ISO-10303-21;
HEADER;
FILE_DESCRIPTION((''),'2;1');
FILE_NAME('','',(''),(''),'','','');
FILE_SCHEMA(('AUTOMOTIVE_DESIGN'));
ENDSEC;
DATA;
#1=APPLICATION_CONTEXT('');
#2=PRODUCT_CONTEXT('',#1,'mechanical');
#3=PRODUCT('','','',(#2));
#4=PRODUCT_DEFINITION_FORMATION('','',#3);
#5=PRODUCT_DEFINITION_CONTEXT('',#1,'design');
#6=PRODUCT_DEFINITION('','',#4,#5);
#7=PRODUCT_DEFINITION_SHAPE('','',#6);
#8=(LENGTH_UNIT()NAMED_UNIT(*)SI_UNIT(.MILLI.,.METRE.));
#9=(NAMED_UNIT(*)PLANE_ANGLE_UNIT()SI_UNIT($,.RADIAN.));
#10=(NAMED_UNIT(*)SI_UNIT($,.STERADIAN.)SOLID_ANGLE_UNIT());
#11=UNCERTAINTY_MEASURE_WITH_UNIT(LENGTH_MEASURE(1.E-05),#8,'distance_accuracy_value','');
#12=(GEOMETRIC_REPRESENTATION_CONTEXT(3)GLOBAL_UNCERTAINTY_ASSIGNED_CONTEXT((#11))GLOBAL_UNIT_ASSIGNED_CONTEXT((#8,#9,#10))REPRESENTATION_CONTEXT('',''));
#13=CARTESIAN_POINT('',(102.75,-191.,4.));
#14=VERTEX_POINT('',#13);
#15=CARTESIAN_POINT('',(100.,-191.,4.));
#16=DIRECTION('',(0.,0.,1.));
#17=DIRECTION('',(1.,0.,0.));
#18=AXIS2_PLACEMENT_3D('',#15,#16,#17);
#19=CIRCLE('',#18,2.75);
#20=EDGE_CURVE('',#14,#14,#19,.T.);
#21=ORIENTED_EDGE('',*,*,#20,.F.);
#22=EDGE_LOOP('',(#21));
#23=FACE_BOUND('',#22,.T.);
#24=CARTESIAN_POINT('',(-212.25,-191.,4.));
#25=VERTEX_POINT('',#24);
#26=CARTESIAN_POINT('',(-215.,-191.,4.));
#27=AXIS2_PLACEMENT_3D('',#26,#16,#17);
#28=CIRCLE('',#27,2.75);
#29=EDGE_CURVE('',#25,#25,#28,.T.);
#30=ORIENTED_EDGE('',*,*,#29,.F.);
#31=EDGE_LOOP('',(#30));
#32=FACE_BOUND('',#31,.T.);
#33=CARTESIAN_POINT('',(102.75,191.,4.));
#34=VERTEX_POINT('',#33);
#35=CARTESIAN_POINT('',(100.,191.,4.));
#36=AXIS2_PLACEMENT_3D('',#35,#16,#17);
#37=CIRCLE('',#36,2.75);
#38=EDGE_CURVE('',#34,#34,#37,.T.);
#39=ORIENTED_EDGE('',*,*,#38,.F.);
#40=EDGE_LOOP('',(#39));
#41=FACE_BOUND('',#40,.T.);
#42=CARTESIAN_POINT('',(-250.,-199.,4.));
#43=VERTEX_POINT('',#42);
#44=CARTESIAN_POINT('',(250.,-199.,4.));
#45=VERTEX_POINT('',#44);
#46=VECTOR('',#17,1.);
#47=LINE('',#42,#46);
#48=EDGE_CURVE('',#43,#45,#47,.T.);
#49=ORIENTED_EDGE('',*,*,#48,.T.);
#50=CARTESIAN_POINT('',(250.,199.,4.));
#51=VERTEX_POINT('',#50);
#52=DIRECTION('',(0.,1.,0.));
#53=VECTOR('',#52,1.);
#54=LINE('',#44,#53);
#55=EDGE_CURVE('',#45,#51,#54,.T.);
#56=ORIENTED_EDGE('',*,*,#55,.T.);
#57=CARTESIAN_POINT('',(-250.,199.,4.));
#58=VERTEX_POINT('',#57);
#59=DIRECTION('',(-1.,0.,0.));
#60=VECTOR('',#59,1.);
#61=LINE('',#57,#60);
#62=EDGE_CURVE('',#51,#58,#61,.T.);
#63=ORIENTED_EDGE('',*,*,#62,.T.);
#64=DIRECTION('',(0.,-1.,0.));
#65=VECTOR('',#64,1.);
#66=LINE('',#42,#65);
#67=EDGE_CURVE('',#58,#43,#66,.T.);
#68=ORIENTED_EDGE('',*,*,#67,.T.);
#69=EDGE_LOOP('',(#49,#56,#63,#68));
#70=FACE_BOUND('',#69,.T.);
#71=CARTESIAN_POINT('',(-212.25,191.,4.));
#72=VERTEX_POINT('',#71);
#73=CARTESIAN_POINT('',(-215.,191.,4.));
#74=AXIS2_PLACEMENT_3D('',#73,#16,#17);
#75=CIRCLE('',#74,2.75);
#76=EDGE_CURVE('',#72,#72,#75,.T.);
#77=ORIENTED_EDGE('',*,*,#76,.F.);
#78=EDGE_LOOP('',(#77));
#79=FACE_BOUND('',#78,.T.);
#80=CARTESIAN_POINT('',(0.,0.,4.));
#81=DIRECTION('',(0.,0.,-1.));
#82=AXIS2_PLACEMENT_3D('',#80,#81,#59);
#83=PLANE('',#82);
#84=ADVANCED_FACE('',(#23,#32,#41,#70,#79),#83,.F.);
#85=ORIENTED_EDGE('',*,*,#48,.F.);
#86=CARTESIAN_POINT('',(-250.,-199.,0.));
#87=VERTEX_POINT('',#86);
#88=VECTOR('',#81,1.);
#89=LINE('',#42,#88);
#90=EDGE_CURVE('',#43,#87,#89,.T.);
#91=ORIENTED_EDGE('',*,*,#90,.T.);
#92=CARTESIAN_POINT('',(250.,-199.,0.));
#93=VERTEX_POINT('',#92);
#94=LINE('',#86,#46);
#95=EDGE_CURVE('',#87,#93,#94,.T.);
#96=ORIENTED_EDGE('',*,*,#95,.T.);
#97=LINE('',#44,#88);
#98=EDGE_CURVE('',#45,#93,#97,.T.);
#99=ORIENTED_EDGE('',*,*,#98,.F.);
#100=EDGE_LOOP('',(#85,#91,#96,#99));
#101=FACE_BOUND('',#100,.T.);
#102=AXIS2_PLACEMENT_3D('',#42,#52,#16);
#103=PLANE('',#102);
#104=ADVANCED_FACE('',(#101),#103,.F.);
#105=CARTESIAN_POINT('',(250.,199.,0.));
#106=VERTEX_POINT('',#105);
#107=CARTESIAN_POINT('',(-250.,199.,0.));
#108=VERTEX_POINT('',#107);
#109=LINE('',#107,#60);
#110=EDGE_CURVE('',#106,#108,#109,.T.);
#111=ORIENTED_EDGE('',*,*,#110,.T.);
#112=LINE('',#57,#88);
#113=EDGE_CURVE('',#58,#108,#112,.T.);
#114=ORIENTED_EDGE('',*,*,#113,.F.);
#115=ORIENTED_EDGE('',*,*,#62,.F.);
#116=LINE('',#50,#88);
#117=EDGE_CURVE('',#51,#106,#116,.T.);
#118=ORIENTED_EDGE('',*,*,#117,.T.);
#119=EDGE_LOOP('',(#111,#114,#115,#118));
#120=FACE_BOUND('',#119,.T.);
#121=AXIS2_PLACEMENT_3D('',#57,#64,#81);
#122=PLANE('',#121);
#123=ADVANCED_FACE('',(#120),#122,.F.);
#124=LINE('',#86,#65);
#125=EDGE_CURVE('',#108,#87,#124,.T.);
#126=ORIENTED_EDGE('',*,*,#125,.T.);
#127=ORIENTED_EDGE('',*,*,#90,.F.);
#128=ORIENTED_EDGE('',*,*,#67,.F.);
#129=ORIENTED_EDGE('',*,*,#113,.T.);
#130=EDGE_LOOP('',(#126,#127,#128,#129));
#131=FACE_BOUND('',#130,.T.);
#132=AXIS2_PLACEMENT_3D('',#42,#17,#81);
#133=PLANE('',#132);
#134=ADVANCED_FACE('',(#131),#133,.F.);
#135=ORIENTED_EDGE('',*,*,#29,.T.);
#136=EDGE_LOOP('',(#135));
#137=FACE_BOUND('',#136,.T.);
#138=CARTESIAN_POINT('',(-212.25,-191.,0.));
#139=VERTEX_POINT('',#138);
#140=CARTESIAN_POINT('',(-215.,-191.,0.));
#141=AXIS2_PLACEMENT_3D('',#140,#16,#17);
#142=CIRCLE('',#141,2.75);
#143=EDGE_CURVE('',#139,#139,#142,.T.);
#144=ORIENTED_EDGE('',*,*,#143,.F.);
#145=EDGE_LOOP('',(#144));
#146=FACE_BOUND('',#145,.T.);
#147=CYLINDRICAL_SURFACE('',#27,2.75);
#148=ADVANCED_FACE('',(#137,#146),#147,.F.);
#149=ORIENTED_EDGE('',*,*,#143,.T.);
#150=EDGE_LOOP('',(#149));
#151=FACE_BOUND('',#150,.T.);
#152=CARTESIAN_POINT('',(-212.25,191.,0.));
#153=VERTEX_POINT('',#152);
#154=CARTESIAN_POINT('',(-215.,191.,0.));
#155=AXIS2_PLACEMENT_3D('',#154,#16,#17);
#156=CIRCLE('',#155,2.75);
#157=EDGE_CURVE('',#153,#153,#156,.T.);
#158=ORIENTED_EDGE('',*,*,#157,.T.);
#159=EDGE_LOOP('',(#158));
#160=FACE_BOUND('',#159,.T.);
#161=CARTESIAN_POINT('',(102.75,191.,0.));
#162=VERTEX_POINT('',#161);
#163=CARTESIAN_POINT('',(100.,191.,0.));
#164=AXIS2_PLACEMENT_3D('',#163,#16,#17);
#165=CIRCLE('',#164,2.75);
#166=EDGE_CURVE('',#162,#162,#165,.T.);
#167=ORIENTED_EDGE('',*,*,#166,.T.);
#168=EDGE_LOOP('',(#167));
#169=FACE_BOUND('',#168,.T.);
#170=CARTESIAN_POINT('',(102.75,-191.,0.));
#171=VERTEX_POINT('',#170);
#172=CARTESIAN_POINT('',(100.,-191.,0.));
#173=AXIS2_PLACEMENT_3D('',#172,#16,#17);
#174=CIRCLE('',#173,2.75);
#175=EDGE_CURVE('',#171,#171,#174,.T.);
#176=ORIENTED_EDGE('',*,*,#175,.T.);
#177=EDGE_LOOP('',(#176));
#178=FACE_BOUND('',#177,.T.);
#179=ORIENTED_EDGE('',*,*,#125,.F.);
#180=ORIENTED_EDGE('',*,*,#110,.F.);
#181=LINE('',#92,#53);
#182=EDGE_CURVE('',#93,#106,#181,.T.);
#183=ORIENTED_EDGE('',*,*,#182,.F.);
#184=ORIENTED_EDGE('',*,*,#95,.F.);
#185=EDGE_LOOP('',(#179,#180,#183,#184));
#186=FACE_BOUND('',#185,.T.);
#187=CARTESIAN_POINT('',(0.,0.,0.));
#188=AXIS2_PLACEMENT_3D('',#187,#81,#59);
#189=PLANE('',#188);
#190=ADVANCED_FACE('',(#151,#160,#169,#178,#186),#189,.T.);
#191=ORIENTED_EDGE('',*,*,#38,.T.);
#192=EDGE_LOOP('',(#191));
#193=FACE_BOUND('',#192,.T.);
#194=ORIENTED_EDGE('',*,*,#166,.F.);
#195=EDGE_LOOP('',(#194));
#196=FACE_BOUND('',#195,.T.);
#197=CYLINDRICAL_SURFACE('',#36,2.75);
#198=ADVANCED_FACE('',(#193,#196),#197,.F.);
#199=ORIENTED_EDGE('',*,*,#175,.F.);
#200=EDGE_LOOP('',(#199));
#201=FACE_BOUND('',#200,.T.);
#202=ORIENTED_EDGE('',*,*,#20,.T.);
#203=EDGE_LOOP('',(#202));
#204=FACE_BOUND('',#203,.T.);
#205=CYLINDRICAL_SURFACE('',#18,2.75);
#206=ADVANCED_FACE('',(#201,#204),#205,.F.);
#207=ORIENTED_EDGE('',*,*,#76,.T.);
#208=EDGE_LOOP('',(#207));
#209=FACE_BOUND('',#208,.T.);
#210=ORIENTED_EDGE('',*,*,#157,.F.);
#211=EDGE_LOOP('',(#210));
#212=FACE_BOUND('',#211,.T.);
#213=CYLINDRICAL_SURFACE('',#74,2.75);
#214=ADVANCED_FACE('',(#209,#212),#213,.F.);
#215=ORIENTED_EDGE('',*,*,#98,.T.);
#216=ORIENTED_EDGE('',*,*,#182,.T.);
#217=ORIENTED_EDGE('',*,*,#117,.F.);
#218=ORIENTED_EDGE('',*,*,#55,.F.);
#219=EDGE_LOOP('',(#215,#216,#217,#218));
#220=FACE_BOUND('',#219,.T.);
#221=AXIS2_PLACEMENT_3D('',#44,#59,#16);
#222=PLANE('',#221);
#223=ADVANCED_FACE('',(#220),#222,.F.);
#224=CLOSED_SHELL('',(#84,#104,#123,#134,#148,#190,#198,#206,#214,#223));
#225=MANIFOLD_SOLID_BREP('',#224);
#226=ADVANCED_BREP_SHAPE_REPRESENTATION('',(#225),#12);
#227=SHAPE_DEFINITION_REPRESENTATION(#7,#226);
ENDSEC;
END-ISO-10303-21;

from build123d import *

# Parameters (mm, degrees)
ESQUISSE1_W        = 500
ESQUISSE1_H        = 398
BOSS_EXTRU_1_DEPTH = 4
D_GAGEMENT_M51_D   = 5.5


with BuildPart() as part:
    # Esquisse1 → Boss.-Extru.1 (new body)
    with BuildSketch(Plane.XY):
        Rectangle(ESQUISSE1_W, ESQUISSE1_H)
    extrude(amount=BOSS_EXTRU_1_DEPTH)

    # Dégagement M51 (through all)
    with Locations(Plane(origin=(-215, 191, 4), x_dir=(1, 0, 0), z_dir=(0, 0, 1))):
        with Locations((0, 0), (315, 0), (315, -382), (0, -382)):
            Hole(D_GAGEMENT_M51_D / 2)


solid = part.part
